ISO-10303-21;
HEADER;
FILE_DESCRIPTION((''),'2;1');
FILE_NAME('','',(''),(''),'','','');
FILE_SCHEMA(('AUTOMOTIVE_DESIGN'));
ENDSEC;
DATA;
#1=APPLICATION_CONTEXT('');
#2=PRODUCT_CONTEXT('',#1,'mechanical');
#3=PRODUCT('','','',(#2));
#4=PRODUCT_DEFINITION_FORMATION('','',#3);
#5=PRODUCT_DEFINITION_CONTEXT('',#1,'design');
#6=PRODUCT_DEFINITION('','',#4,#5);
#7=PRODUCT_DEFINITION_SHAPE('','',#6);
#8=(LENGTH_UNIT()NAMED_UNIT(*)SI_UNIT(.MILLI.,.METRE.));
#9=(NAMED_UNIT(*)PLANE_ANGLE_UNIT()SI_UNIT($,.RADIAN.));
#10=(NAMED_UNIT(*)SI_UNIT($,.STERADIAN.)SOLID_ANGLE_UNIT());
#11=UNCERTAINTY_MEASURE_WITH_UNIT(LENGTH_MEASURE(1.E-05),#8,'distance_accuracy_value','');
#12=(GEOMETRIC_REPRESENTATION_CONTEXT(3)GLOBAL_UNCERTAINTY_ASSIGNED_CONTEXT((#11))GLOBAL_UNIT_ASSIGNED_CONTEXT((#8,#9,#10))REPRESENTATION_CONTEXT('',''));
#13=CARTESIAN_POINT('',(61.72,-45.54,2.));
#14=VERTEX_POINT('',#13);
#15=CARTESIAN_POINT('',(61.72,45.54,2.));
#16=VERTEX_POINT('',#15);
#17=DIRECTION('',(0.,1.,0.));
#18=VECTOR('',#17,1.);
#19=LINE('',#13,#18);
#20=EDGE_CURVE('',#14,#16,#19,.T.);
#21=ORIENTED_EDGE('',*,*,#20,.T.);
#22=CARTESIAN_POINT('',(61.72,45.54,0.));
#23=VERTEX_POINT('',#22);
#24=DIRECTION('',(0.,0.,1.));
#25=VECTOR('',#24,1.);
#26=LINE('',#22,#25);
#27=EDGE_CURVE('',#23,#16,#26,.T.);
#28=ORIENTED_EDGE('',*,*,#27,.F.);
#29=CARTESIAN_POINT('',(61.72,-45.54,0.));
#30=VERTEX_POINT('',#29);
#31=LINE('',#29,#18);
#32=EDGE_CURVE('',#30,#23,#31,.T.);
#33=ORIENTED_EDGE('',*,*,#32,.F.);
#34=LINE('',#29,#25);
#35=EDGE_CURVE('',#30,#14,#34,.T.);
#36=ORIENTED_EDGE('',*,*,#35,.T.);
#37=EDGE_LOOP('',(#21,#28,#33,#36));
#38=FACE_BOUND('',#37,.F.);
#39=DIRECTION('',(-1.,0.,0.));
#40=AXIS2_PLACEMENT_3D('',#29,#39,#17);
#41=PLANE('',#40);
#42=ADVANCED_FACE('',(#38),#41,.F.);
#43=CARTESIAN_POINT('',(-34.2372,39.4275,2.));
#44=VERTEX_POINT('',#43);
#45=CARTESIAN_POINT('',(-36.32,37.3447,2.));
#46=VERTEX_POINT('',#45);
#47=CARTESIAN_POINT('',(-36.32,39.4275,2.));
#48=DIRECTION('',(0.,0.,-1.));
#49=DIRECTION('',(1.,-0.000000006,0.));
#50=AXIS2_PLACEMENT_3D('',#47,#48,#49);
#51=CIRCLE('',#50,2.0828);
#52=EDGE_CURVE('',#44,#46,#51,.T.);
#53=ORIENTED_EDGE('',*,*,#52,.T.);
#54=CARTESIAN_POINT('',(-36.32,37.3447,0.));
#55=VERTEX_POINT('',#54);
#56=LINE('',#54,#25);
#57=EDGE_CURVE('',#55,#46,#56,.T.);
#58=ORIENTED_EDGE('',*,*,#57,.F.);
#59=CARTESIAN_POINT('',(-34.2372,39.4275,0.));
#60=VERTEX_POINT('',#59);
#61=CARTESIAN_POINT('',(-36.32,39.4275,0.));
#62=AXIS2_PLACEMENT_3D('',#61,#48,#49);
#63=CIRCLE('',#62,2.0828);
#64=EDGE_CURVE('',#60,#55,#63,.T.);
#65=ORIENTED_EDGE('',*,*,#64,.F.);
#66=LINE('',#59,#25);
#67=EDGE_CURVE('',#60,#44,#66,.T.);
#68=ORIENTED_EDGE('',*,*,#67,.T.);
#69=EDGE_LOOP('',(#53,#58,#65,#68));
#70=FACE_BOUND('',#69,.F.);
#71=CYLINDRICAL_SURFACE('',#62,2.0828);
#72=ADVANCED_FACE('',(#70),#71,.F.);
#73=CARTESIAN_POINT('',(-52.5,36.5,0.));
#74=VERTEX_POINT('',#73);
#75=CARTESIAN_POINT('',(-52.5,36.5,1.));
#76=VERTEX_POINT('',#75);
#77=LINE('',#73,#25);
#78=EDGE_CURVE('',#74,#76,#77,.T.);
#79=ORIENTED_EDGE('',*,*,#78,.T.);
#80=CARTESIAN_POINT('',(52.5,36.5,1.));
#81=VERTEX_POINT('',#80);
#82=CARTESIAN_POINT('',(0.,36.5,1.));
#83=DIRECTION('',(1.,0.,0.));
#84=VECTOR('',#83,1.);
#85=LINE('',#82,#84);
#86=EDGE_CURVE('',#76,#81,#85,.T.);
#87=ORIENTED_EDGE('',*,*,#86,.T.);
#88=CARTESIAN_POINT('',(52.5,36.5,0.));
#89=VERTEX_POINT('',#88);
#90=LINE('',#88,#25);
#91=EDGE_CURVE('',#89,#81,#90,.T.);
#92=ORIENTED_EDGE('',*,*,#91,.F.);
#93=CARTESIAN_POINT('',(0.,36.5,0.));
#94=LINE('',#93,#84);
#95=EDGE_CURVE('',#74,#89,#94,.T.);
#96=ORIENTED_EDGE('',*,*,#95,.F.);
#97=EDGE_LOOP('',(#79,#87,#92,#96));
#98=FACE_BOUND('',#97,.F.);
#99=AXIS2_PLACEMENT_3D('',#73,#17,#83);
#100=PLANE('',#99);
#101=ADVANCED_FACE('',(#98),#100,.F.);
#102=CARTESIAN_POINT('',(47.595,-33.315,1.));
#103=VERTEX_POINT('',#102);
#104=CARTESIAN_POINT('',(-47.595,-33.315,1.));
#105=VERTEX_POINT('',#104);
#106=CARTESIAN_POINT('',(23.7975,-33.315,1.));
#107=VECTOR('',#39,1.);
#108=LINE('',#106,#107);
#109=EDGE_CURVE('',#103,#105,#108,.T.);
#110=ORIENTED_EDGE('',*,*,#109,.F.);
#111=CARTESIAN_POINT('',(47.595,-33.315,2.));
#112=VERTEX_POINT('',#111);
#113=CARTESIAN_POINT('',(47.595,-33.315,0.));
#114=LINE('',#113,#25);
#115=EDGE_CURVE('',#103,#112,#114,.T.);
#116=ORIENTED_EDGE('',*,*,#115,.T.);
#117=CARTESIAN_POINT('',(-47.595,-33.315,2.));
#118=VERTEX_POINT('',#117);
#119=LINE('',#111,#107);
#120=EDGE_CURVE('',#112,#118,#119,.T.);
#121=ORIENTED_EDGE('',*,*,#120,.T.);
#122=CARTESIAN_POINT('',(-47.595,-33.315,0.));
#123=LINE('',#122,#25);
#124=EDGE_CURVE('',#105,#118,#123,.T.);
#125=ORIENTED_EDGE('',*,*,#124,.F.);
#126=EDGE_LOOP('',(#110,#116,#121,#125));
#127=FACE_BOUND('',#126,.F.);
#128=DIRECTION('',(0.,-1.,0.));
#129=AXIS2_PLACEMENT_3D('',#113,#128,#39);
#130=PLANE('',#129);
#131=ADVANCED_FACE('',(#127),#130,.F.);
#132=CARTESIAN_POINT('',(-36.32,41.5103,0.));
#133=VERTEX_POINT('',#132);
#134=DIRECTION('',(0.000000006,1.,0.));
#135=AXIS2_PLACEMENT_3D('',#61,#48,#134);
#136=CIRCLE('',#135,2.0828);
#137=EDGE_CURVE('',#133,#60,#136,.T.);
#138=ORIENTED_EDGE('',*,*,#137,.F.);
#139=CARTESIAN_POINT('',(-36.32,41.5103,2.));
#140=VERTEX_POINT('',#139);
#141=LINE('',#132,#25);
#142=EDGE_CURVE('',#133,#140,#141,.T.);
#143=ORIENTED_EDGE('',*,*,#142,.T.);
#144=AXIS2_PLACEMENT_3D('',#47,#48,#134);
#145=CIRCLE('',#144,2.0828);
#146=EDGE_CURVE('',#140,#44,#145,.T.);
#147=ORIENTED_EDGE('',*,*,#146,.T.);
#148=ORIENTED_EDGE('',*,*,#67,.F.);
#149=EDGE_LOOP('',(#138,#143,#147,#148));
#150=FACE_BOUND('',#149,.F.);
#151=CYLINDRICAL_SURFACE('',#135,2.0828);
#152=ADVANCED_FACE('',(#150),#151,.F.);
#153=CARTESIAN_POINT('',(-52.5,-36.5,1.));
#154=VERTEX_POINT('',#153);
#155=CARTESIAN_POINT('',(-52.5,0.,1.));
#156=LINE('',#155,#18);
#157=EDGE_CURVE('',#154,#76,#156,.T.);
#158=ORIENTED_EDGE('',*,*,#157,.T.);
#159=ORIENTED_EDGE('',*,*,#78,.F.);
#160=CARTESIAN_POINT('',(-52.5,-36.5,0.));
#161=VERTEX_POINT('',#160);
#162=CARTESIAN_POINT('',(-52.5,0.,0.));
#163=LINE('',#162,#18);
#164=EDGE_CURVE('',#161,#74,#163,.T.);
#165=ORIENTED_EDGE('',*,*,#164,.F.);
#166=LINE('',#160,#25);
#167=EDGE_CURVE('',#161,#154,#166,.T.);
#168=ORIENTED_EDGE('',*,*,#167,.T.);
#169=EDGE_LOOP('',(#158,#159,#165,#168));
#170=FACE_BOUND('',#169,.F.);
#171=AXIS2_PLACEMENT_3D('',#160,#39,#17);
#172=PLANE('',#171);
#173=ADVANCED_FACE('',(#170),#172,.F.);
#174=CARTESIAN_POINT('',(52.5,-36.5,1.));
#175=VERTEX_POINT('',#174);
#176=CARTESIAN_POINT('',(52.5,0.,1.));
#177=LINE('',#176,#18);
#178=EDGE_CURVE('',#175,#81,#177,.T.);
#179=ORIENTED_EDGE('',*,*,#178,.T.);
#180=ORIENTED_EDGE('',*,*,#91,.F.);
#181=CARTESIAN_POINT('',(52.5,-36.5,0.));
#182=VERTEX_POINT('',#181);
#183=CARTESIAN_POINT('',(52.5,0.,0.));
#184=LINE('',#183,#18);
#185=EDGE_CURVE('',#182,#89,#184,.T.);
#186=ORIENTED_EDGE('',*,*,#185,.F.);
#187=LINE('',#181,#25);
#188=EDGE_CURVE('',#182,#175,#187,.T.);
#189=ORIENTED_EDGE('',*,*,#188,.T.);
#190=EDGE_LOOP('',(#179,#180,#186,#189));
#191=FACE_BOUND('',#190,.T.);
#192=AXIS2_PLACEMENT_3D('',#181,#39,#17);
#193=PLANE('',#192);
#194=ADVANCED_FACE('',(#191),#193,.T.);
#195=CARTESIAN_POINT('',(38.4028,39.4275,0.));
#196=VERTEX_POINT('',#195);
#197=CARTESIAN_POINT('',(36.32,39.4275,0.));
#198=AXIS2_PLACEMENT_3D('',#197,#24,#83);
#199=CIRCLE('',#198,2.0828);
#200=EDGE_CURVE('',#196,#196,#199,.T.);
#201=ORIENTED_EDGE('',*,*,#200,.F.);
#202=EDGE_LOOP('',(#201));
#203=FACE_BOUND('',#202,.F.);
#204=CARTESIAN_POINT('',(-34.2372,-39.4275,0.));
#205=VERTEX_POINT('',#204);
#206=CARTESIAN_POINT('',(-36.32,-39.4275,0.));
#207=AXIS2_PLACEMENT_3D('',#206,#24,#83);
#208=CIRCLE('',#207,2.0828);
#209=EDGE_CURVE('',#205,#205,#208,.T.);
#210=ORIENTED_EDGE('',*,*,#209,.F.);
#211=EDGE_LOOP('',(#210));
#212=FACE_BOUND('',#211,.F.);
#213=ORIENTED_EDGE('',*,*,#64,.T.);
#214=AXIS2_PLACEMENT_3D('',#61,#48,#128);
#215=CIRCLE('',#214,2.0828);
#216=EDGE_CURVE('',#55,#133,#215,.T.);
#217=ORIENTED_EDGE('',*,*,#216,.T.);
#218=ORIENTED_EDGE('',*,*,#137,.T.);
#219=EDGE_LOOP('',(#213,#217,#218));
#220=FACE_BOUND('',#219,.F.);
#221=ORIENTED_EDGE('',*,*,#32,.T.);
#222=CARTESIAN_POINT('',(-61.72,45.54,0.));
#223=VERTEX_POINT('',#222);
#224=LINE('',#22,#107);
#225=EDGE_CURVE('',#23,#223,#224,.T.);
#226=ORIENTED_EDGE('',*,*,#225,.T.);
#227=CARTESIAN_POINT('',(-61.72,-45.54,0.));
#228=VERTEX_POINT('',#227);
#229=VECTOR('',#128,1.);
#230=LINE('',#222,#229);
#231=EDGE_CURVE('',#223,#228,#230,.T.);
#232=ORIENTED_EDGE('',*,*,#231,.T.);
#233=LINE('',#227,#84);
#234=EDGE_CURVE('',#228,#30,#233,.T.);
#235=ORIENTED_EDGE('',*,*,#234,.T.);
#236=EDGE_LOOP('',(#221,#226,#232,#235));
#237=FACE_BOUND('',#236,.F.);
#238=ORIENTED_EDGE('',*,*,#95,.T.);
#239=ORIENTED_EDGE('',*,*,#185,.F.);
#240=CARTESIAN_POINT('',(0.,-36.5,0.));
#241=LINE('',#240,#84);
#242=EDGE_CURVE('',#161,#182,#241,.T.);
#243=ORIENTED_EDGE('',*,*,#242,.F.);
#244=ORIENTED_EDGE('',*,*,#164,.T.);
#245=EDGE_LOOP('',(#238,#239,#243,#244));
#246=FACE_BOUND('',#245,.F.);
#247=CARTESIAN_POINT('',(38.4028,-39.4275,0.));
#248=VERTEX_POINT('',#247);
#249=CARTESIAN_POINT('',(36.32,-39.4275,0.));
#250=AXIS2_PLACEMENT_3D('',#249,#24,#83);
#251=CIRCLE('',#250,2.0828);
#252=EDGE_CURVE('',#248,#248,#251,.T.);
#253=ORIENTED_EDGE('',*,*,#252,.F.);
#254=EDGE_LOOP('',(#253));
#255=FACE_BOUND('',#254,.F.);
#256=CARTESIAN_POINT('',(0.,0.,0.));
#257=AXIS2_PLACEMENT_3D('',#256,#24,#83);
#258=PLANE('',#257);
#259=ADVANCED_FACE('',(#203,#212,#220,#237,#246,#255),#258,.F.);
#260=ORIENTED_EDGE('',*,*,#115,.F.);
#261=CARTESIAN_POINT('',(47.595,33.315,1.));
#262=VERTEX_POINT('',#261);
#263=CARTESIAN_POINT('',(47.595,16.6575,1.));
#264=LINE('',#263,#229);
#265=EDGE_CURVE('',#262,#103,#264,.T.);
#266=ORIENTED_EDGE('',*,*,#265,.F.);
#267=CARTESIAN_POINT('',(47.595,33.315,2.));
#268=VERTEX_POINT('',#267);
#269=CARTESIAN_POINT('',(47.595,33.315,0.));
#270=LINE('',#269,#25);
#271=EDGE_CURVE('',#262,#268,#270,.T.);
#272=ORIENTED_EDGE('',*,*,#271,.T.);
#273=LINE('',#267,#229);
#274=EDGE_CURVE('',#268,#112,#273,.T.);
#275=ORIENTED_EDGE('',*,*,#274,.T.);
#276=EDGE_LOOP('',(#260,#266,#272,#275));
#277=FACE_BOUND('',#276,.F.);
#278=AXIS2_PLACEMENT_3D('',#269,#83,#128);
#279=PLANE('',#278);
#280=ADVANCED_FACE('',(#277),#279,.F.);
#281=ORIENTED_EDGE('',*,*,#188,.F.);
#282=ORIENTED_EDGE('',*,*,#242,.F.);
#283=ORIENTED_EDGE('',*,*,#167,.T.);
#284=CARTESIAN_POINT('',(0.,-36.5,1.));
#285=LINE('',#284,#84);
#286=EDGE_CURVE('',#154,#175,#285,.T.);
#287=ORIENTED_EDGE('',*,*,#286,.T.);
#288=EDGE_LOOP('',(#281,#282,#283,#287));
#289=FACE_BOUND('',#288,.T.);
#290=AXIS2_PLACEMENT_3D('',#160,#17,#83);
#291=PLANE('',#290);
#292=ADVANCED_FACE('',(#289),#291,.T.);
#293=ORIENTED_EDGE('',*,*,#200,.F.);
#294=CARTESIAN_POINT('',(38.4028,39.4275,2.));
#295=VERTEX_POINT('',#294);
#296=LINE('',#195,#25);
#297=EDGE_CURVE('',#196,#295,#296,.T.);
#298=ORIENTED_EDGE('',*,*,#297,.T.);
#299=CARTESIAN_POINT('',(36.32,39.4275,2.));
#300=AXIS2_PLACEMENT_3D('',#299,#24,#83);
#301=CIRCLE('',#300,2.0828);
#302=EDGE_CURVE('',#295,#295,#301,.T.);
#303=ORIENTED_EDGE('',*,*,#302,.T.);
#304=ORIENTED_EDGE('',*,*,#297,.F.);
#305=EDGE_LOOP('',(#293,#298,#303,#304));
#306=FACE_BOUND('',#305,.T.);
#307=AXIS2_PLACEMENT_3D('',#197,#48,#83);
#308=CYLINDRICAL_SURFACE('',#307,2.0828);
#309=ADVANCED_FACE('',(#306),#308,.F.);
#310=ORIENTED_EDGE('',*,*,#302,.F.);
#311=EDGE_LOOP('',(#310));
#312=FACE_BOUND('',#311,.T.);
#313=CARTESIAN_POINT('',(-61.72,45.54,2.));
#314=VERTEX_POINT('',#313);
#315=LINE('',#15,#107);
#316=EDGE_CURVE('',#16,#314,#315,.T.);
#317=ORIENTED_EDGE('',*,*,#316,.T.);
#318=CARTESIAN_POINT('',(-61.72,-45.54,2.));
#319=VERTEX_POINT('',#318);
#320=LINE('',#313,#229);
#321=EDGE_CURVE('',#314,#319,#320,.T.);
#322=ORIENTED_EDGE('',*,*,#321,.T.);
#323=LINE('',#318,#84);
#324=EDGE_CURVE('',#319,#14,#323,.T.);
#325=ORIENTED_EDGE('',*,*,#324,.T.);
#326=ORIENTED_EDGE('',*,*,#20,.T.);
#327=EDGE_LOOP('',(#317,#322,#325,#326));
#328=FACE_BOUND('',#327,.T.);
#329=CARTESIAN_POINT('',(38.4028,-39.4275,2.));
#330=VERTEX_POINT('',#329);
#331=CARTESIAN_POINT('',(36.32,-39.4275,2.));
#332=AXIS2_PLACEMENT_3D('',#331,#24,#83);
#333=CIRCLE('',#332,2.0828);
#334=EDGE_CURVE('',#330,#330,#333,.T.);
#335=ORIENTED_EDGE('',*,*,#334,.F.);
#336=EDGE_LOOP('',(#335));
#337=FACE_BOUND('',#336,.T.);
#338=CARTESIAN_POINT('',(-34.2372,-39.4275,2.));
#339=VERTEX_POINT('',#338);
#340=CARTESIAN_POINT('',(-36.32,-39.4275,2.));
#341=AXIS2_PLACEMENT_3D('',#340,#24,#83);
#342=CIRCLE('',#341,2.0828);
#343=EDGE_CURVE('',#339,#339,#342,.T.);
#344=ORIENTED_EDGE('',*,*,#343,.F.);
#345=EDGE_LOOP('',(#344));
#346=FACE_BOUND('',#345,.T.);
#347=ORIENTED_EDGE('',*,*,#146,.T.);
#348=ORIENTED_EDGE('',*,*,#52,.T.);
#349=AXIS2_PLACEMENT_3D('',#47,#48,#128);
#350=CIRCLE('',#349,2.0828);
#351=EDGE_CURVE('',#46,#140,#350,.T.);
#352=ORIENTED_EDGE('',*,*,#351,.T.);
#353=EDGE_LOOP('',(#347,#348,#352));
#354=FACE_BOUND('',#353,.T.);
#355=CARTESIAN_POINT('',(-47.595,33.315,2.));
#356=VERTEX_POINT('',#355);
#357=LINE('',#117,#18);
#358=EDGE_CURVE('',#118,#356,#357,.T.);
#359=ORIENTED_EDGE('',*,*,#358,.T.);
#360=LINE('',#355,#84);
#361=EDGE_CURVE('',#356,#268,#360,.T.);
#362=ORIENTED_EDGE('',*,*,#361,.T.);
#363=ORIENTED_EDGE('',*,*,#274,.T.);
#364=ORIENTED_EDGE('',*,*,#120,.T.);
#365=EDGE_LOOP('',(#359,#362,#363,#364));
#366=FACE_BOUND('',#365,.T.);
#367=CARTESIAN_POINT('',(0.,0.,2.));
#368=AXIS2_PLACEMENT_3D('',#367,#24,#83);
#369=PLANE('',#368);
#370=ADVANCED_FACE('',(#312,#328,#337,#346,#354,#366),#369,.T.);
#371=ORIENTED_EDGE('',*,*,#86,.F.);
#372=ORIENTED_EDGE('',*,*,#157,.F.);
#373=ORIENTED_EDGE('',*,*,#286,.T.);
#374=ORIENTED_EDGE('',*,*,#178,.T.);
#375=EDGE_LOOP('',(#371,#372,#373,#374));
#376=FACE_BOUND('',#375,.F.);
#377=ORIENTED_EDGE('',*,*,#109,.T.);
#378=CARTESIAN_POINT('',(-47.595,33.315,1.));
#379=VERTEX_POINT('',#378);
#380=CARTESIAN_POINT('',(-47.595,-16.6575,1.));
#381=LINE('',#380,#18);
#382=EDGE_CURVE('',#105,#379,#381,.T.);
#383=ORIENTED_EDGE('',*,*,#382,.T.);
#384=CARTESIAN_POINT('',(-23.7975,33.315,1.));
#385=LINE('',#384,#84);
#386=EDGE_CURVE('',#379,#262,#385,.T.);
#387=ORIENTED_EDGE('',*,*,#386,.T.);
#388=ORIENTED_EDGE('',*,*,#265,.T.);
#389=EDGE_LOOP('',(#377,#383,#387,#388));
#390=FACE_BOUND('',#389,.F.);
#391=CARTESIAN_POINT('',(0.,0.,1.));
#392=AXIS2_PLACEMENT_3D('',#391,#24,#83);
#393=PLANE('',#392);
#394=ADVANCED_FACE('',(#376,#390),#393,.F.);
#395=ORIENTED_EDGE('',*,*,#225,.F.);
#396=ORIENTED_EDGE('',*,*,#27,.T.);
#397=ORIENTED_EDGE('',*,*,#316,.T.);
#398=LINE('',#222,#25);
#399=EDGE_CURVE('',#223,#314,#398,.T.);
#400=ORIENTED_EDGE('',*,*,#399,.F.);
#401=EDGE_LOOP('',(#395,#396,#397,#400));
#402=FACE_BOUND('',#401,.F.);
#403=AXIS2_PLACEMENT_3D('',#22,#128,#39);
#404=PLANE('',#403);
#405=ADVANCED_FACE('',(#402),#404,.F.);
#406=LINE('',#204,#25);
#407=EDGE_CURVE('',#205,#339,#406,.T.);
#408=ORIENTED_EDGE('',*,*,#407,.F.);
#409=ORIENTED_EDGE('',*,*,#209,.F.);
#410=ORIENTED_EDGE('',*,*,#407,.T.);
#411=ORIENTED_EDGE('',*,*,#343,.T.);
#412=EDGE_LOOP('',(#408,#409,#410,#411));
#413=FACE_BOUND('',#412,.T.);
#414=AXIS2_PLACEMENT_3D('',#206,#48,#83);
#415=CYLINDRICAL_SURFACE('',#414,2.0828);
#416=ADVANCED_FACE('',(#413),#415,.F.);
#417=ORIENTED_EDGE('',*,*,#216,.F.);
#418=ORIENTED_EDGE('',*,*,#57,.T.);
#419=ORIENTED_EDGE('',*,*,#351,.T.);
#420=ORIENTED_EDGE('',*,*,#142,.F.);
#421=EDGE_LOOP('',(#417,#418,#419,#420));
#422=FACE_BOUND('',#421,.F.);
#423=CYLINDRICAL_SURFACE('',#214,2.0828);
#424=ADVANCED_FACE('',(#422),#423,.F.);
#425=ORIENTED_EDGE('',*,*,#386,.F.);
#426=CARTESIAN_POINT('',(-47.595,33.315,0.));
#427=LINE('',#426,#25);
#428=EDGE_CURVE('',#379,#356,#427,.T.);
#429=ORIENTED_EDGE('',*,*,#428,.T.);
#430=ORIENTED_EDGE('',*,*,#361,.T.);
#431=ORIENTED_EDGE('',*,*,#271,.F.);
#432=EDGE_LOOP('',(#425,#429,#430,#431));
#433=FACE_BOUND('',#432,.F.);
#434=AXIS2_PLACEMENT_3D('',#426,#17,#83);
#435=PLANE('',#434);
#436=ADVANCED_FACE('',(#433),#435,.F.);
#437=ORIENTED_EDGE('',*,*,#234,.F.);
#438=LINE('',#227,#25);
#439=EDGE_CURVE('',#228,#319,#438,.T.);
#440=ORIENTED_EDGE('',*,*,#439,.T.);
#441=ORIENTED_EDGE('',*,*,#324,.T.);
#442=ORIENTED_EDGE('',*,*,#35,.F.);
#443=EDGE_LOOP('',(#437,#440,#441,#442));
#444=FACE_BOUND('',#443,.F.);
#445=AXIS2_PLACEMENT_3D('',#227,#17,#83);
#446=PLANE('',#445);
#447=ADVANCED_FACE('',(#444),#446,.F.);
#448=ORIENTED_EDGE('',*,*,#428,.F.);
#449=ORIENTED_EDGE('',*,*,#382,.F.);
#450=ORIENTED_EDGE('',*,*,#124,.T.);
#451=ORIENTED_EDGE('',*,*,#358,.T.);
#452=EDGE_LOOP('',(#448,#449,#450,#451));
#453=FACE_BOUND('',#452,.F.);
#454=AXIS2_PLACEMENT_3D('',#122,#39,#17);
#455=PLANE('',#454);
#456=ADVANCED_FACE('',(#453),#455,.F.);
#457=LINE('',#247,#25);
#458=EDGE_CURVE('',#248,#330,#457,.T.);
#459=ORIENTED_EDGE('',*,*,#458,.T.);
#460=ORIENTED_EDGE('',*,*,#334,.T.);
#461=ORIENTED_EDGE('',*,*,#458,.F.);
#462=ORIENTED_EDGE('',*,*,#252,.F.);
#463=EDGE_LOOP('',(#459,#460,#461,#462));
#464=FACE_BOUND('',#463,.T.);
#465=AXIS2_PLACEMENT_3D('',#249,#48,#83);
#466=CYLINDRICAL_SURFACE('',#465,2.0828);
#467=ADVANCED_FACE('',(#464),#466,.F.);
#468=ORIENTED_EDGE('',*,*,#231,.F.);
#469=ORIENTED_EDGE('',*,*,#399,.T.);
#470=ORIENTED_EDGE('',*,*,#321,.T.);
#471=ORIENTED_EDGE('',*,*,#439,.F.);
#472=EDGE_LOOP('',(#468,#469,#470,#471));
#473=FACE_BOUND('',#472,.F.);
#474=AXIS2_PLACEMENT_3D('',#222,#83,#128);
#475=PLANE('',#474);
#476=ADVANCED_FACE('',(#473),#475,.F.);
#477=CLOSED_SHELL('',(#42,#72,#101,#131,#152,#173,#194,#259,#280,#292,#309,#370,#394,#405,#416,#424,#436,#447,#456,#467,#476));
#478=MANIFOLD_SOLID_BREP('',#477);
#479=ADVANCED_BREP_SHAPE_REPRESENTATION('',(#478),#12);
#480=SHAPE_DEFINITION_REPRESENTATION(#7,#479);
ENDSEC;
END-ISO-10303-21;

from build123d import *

# Parameters (mm, degrees)
F0_R     = 2.0828
F1_DEPTH = 2
F2_W     = 105
F2_H     = 73
F3_DEPTH = 1


with BuildPart() as f1:
    # F0 (on Top) → F1 (new body)
    with BuildSketch(Plane.XY):
        Polygon((-61.72, -45.54), (61.72, -45.54), (61.72, 45.54), (-36.32, 45.54), (-61.72, 45.54), align=None)
        with Locations((-36.32, -39.4275)):
            Circle(F0_R, mode=Mode.SUBTRACT)
        with Locations((36.32, -39.4275)):
            Circle(F0_R, mode=Mode.SUBTRACT)
        Polygon((-47.595, 33.315), (-36.32, 33.315), (47.595, 33.315), (47.595, -33.315), (-47.595, -33.315), align=None, mode=Mode.SUBTRACT)
        with BuildLine():
            ThreePointArc((-36.32, 37.3447), (-38.4028, 39.4275), (-36.32, 41.5103))
            ThreePointArc((-36.32, 41.5103), (-34.847238, 40.900262), (-34.2372, 39.4275))
            ThreePointArc((-34.2372, 39.4275), (-34.847238, 37.954738), (-36.32, 37.3447))
        make_face(mode=Mode.SUBTRACT)
        with Locations((36.32, 39.4275)):
            Circle(F0_R, mode=Mode.SUBTRACT)
    extrude(amount=F1_DEPTH)

    # F2 (on Top) → F3 (cut)
    with BuildSketch(Plane.XY):
        Rectangle(F2_W, F2_H)
    extrude(amount=F3_DEPTH, mode=Mode.SUBTRACT)


solid = f1.part
